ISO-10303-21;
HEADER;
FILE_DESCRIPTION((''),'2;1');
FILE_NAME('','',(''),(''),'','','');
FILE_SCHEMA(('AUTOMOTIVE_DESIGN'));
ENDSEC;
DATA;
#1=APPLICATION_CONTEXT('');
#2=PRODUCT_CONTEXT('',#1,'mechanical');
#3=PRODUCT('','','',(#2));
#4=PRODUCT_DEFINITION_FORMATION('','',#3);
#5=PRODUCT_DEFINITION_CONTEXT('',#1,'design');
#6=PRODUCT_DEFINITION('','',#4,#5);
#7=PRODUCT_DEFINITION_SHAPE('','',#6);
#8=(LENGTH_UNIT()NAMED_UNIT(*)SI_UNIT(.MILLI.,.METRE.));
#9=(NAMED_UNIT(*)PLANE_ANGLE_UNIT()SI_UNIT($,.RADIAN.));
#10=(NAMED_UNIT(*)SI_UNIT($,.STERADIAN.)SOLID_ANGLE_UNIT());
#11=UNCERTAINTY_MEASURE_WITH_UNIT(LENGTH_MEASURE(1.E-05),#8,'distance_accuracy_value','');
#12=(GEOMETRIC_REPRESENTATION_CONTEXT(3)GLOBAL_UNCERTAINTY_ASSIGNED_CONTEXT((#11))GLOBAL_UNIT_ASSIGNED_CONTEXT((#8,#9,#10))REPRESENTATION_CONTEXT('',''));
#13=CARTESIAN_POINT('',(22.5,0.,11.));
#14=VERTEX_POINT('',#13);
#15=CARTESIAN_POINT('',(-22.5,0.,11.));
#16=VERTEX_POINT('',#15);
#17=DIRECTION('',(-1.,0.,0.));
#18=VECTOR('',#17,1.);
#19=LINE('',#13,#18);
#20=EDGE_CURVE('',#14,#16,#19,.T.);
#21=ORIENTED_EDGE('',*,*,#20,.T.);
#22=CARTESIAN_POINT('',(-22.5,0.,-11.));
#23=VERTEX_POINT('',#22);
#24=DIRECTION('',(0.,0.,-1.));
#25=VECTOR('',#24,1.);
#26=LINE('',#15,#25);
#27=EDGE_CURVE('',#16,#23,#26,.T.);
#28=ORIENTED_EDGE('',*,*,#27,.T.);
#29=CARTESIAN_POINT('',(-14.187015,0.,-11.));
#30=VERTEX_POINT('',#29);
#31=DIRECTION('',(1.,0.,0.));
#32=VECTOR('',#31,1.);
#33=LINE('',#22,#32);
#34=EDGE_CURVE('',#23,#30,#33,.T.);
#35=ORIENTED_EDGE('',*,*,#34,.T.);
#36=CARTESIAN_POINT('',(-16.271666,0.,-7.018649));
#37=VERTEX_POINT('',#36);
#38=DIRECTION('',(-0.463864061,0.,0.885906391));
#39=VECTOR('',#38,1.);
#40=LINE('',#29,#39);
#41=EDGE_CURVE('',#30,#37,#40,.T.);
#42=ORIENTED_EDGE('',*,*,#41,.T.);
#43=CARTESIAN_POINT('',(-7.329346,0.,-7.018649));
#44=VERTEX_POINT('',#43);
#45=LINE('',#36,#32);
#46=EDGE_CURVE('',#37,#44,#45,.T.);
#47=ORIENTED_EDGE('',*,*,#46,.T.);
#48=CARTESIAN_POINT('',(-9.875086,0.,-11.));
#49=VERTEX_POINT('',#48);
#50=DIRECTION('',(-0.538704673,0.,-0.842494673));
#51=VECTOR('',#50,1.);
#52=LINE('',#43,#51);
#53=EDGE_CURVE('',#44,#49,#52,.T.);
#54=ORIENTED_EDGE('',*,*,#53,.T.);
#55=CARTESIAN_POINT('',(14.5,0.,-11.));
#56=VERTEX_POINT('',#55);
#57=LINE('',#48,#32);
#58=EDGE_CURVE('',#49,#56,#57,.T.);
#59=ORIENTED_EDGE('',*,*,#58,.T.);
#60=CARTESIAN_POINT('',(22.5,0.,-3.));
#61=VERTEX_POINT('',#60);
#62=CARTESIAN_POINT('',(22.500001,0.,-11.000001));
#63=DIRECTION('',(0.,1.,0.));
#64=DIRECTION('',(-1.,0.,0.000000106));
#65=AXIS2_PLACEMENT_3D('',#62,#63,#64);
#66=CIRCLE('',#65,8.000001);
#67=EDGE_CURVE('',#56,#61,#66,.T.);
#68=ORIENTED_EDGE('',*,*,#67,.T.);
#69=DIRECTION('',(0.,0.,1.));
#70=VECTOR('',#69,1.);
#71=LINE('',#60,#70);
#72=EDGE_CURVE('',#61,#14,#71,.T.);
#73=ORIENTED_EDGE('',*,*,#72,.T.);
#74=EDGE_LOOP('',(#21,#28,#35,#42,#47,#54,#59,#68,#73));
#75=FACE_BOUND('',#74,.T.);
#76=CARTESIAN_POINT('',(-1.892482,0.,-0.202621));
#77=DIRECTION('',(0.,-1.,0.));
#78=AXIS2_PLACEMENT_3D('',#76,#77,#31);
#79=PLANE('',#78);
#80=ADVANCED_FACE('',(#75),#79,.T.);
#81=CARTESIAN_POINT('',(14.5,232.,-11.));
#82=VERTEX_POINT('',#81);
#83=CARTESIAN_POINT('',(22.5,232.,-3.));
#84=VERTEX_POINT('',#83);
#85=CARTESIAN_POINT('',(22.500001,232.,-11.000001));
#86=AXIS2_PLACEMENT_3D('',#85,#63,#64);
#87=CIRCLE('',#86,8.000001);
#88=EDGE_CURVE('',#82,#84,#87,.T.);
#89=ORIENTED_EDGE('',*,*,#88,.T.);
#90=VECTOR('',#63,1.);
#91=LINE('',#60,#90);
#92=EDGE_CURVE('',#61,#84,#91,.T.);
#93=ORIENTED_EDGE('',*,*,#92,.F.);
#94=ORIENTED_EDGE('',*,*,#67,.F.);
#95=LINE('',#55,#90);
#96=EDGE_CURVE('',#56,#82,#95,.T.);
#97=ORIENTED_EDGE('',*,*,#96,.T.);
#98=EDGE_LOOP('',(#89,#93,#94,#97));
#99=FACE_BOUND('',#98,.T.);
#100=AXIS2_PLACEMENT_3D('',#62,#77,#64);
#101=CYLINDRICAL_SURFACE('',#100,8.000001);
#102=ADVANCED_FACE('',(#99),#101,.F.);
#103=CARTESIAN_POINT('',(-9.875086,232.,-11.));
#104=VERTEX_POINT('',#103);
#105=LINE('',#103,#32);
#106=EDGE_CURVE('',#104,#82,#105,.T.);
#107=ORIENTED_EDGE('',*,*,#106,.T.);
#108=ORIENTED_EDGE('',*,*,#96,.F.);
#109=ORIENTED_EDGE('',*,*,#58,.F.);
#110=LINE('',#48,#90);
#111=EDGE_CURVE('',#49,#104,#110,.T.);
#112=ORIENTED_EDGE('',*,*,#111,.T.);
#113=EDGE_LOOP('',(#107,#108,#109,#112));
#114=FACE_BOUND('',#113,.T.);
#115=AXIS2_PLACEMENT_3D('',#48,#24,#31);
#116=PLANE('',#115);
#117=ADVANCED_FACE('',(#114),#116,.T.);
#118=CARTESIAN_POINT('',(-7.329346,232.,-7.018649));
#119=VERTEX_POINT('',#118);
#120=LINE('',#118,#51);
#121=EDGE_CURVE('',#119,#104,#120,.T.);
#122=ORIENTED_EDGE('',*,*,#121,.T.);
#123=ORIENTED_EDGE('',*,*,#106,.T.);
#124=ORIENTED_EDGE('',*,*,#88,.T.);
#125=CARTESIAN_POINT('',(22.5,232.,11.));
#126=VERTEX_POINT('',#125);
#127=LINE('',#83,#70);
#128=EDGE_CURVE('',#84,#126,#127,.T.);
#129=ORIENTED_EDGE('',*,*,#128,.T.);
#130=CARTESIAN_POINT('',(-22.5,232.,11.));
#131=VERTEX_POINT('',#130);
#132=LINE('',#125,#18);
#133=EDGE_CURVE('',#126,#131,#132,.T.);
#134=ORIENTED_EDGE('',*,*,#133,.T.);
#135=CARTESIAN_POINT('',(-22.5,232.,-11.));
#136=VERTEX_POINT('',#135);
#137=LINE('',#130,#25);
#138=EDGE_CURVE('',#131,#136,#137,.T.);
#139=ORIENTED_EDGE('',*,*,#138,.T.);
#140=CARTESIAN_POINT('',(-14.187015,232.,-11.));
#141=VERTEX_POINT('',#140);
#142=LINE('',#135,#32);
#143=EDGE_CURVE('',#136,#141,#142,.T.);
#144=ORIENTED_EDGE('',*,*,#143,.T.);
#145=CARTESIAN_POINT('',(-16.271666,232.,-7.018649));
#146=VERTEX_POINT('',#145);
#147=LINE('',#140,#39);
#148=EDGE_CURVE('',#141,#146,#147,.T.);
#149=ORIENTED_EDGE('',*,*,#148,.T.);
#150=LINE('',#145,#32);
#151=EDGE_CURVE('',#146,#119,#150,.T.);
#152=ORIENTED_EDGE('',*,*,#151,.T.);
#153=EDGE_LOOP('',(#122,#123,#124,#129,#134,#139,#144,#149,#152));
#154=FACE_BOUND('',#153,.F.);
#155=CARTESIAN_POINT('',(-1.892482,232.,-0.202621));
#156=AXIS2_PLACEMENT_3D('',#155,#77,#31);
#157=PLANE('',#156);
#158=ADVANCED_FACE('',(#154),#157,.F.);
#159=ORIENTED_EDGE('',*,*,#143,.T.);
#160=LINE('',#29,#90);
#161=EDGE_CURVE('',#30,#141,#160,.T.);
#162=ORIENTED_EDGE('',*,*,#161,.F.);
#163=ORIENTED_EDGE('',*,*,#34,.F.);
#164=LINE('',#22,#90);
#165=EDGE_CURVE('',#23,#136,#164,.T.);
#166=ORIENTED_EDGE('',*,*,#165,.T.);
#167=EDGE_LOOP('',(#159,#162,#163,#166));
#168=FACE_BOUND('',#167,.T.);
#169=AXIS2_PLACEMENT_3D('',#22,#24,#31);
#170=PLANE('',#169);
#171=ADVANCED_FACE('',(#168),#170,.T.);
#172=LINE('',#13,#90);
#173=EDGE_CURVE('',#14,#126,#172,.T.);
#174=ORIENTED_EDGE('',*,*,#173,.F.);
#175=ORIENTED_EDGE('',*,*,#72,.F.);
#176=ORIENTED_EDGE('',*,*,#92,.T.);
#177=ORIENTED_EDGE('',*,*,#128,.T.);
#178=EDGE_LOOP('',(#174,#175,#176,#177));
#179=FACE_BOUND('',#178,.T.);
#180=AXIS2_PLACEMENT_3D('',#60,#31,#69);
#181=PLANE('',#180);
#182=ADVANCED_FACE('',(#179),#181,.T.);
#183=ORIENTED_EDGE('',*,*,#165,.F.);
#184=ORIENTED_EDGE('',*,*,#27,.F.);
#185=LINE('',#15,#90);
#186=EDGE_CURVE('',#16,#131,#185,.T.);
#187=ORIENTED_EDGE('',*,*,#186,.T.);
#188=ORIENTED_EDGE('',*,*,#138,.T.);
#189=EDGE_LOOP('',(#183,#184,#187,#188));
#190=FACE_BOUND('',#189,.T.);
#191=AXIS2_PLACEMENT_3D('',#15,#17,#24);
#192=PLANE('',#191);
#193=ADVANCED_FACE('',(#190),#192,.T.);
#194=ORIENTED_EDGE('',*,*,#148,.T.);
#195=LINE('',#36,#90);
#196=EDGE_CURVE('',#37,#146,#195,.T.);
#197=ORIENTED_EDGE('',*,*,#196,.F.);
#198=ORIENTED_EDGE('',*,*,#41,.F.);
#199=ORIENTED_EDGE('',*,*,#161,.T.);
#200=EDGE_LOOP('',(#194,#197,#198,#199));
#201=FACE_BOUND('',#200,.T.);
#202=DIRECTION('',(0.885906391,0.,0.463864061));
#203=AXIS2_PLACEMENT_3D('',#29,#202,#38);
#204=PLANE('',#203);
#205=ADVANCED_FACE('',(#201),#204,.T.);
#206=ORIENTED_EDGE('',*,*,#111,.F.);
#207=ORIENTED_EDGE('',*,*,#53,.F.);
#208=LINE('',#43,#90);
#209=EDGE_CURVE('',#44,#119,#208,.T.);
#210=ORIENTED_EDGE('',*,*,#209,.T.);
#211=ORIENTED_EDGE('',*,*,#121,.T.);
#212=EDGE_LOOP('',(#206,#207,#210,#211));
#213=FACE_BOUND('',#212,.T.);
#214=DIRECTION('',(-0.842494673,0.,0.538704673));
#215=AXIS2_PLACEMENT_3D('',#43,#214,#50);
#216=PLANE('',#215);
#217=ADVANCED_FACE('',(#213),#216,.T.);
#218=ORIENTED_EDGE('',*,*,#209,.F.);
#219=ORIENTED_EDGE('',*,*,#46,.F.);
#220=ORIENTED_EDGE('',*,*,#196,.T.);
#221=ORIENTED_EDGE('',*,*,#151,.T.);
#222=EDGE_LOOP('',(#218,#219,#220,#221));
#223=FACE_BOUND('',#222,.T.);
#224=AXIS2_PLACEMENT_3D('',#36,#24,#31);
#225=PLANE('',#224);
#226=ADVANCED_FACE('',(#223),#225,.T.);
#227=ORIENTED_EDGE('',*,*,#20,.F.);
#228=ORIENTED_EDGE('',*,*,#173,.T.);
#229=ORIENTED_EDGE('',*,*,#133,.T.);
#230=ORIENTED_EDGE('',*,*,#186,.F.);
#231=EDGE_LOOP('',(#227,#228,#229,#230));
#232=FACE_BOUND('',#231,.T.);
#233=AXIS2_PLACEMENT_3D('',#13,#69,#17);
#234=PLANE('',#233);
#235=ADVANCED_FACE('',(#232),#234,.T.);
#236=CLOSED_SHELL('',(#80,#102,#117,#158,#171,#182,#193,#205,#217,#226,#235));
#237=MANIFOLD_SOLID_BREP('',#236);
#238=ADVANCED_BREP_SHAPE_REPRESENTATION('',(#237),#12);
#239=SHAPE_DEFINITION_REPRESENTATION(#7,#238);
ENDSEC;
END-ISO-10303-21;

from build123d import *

# Parameters (mm, degrees)
F1_DEPTH = 232


with BuildPart() as f1:
    # F0 (on Front) → F1 (new body)
    with BuildSketch(Plane.XZ):
        with BuildLine():
            Line((22.5, -3), (22.5, 11))
            Line((22.5, 11), (-22.5, 11))
            Line((-22.5, 11), (-22.5, -11))
            Line((-22.5, -11), (-14.187015, -11))
            Line((-14.187015, -11), (-16.271666, -7.018649))
            Line((-16.271666, -7.018649), (-7.329346, -7.018649))
            Line((-7.329346, -7.018649), (-9.875086, -11))
            Line((-9.875086, -11), (14.5, -11))
            ThreePointArc((14.5, -11), (16.843146, -5.343146), (22.5, -3))
        make_face()
    extrude(amount=-F1_DEPTH)


solid = f1.part
